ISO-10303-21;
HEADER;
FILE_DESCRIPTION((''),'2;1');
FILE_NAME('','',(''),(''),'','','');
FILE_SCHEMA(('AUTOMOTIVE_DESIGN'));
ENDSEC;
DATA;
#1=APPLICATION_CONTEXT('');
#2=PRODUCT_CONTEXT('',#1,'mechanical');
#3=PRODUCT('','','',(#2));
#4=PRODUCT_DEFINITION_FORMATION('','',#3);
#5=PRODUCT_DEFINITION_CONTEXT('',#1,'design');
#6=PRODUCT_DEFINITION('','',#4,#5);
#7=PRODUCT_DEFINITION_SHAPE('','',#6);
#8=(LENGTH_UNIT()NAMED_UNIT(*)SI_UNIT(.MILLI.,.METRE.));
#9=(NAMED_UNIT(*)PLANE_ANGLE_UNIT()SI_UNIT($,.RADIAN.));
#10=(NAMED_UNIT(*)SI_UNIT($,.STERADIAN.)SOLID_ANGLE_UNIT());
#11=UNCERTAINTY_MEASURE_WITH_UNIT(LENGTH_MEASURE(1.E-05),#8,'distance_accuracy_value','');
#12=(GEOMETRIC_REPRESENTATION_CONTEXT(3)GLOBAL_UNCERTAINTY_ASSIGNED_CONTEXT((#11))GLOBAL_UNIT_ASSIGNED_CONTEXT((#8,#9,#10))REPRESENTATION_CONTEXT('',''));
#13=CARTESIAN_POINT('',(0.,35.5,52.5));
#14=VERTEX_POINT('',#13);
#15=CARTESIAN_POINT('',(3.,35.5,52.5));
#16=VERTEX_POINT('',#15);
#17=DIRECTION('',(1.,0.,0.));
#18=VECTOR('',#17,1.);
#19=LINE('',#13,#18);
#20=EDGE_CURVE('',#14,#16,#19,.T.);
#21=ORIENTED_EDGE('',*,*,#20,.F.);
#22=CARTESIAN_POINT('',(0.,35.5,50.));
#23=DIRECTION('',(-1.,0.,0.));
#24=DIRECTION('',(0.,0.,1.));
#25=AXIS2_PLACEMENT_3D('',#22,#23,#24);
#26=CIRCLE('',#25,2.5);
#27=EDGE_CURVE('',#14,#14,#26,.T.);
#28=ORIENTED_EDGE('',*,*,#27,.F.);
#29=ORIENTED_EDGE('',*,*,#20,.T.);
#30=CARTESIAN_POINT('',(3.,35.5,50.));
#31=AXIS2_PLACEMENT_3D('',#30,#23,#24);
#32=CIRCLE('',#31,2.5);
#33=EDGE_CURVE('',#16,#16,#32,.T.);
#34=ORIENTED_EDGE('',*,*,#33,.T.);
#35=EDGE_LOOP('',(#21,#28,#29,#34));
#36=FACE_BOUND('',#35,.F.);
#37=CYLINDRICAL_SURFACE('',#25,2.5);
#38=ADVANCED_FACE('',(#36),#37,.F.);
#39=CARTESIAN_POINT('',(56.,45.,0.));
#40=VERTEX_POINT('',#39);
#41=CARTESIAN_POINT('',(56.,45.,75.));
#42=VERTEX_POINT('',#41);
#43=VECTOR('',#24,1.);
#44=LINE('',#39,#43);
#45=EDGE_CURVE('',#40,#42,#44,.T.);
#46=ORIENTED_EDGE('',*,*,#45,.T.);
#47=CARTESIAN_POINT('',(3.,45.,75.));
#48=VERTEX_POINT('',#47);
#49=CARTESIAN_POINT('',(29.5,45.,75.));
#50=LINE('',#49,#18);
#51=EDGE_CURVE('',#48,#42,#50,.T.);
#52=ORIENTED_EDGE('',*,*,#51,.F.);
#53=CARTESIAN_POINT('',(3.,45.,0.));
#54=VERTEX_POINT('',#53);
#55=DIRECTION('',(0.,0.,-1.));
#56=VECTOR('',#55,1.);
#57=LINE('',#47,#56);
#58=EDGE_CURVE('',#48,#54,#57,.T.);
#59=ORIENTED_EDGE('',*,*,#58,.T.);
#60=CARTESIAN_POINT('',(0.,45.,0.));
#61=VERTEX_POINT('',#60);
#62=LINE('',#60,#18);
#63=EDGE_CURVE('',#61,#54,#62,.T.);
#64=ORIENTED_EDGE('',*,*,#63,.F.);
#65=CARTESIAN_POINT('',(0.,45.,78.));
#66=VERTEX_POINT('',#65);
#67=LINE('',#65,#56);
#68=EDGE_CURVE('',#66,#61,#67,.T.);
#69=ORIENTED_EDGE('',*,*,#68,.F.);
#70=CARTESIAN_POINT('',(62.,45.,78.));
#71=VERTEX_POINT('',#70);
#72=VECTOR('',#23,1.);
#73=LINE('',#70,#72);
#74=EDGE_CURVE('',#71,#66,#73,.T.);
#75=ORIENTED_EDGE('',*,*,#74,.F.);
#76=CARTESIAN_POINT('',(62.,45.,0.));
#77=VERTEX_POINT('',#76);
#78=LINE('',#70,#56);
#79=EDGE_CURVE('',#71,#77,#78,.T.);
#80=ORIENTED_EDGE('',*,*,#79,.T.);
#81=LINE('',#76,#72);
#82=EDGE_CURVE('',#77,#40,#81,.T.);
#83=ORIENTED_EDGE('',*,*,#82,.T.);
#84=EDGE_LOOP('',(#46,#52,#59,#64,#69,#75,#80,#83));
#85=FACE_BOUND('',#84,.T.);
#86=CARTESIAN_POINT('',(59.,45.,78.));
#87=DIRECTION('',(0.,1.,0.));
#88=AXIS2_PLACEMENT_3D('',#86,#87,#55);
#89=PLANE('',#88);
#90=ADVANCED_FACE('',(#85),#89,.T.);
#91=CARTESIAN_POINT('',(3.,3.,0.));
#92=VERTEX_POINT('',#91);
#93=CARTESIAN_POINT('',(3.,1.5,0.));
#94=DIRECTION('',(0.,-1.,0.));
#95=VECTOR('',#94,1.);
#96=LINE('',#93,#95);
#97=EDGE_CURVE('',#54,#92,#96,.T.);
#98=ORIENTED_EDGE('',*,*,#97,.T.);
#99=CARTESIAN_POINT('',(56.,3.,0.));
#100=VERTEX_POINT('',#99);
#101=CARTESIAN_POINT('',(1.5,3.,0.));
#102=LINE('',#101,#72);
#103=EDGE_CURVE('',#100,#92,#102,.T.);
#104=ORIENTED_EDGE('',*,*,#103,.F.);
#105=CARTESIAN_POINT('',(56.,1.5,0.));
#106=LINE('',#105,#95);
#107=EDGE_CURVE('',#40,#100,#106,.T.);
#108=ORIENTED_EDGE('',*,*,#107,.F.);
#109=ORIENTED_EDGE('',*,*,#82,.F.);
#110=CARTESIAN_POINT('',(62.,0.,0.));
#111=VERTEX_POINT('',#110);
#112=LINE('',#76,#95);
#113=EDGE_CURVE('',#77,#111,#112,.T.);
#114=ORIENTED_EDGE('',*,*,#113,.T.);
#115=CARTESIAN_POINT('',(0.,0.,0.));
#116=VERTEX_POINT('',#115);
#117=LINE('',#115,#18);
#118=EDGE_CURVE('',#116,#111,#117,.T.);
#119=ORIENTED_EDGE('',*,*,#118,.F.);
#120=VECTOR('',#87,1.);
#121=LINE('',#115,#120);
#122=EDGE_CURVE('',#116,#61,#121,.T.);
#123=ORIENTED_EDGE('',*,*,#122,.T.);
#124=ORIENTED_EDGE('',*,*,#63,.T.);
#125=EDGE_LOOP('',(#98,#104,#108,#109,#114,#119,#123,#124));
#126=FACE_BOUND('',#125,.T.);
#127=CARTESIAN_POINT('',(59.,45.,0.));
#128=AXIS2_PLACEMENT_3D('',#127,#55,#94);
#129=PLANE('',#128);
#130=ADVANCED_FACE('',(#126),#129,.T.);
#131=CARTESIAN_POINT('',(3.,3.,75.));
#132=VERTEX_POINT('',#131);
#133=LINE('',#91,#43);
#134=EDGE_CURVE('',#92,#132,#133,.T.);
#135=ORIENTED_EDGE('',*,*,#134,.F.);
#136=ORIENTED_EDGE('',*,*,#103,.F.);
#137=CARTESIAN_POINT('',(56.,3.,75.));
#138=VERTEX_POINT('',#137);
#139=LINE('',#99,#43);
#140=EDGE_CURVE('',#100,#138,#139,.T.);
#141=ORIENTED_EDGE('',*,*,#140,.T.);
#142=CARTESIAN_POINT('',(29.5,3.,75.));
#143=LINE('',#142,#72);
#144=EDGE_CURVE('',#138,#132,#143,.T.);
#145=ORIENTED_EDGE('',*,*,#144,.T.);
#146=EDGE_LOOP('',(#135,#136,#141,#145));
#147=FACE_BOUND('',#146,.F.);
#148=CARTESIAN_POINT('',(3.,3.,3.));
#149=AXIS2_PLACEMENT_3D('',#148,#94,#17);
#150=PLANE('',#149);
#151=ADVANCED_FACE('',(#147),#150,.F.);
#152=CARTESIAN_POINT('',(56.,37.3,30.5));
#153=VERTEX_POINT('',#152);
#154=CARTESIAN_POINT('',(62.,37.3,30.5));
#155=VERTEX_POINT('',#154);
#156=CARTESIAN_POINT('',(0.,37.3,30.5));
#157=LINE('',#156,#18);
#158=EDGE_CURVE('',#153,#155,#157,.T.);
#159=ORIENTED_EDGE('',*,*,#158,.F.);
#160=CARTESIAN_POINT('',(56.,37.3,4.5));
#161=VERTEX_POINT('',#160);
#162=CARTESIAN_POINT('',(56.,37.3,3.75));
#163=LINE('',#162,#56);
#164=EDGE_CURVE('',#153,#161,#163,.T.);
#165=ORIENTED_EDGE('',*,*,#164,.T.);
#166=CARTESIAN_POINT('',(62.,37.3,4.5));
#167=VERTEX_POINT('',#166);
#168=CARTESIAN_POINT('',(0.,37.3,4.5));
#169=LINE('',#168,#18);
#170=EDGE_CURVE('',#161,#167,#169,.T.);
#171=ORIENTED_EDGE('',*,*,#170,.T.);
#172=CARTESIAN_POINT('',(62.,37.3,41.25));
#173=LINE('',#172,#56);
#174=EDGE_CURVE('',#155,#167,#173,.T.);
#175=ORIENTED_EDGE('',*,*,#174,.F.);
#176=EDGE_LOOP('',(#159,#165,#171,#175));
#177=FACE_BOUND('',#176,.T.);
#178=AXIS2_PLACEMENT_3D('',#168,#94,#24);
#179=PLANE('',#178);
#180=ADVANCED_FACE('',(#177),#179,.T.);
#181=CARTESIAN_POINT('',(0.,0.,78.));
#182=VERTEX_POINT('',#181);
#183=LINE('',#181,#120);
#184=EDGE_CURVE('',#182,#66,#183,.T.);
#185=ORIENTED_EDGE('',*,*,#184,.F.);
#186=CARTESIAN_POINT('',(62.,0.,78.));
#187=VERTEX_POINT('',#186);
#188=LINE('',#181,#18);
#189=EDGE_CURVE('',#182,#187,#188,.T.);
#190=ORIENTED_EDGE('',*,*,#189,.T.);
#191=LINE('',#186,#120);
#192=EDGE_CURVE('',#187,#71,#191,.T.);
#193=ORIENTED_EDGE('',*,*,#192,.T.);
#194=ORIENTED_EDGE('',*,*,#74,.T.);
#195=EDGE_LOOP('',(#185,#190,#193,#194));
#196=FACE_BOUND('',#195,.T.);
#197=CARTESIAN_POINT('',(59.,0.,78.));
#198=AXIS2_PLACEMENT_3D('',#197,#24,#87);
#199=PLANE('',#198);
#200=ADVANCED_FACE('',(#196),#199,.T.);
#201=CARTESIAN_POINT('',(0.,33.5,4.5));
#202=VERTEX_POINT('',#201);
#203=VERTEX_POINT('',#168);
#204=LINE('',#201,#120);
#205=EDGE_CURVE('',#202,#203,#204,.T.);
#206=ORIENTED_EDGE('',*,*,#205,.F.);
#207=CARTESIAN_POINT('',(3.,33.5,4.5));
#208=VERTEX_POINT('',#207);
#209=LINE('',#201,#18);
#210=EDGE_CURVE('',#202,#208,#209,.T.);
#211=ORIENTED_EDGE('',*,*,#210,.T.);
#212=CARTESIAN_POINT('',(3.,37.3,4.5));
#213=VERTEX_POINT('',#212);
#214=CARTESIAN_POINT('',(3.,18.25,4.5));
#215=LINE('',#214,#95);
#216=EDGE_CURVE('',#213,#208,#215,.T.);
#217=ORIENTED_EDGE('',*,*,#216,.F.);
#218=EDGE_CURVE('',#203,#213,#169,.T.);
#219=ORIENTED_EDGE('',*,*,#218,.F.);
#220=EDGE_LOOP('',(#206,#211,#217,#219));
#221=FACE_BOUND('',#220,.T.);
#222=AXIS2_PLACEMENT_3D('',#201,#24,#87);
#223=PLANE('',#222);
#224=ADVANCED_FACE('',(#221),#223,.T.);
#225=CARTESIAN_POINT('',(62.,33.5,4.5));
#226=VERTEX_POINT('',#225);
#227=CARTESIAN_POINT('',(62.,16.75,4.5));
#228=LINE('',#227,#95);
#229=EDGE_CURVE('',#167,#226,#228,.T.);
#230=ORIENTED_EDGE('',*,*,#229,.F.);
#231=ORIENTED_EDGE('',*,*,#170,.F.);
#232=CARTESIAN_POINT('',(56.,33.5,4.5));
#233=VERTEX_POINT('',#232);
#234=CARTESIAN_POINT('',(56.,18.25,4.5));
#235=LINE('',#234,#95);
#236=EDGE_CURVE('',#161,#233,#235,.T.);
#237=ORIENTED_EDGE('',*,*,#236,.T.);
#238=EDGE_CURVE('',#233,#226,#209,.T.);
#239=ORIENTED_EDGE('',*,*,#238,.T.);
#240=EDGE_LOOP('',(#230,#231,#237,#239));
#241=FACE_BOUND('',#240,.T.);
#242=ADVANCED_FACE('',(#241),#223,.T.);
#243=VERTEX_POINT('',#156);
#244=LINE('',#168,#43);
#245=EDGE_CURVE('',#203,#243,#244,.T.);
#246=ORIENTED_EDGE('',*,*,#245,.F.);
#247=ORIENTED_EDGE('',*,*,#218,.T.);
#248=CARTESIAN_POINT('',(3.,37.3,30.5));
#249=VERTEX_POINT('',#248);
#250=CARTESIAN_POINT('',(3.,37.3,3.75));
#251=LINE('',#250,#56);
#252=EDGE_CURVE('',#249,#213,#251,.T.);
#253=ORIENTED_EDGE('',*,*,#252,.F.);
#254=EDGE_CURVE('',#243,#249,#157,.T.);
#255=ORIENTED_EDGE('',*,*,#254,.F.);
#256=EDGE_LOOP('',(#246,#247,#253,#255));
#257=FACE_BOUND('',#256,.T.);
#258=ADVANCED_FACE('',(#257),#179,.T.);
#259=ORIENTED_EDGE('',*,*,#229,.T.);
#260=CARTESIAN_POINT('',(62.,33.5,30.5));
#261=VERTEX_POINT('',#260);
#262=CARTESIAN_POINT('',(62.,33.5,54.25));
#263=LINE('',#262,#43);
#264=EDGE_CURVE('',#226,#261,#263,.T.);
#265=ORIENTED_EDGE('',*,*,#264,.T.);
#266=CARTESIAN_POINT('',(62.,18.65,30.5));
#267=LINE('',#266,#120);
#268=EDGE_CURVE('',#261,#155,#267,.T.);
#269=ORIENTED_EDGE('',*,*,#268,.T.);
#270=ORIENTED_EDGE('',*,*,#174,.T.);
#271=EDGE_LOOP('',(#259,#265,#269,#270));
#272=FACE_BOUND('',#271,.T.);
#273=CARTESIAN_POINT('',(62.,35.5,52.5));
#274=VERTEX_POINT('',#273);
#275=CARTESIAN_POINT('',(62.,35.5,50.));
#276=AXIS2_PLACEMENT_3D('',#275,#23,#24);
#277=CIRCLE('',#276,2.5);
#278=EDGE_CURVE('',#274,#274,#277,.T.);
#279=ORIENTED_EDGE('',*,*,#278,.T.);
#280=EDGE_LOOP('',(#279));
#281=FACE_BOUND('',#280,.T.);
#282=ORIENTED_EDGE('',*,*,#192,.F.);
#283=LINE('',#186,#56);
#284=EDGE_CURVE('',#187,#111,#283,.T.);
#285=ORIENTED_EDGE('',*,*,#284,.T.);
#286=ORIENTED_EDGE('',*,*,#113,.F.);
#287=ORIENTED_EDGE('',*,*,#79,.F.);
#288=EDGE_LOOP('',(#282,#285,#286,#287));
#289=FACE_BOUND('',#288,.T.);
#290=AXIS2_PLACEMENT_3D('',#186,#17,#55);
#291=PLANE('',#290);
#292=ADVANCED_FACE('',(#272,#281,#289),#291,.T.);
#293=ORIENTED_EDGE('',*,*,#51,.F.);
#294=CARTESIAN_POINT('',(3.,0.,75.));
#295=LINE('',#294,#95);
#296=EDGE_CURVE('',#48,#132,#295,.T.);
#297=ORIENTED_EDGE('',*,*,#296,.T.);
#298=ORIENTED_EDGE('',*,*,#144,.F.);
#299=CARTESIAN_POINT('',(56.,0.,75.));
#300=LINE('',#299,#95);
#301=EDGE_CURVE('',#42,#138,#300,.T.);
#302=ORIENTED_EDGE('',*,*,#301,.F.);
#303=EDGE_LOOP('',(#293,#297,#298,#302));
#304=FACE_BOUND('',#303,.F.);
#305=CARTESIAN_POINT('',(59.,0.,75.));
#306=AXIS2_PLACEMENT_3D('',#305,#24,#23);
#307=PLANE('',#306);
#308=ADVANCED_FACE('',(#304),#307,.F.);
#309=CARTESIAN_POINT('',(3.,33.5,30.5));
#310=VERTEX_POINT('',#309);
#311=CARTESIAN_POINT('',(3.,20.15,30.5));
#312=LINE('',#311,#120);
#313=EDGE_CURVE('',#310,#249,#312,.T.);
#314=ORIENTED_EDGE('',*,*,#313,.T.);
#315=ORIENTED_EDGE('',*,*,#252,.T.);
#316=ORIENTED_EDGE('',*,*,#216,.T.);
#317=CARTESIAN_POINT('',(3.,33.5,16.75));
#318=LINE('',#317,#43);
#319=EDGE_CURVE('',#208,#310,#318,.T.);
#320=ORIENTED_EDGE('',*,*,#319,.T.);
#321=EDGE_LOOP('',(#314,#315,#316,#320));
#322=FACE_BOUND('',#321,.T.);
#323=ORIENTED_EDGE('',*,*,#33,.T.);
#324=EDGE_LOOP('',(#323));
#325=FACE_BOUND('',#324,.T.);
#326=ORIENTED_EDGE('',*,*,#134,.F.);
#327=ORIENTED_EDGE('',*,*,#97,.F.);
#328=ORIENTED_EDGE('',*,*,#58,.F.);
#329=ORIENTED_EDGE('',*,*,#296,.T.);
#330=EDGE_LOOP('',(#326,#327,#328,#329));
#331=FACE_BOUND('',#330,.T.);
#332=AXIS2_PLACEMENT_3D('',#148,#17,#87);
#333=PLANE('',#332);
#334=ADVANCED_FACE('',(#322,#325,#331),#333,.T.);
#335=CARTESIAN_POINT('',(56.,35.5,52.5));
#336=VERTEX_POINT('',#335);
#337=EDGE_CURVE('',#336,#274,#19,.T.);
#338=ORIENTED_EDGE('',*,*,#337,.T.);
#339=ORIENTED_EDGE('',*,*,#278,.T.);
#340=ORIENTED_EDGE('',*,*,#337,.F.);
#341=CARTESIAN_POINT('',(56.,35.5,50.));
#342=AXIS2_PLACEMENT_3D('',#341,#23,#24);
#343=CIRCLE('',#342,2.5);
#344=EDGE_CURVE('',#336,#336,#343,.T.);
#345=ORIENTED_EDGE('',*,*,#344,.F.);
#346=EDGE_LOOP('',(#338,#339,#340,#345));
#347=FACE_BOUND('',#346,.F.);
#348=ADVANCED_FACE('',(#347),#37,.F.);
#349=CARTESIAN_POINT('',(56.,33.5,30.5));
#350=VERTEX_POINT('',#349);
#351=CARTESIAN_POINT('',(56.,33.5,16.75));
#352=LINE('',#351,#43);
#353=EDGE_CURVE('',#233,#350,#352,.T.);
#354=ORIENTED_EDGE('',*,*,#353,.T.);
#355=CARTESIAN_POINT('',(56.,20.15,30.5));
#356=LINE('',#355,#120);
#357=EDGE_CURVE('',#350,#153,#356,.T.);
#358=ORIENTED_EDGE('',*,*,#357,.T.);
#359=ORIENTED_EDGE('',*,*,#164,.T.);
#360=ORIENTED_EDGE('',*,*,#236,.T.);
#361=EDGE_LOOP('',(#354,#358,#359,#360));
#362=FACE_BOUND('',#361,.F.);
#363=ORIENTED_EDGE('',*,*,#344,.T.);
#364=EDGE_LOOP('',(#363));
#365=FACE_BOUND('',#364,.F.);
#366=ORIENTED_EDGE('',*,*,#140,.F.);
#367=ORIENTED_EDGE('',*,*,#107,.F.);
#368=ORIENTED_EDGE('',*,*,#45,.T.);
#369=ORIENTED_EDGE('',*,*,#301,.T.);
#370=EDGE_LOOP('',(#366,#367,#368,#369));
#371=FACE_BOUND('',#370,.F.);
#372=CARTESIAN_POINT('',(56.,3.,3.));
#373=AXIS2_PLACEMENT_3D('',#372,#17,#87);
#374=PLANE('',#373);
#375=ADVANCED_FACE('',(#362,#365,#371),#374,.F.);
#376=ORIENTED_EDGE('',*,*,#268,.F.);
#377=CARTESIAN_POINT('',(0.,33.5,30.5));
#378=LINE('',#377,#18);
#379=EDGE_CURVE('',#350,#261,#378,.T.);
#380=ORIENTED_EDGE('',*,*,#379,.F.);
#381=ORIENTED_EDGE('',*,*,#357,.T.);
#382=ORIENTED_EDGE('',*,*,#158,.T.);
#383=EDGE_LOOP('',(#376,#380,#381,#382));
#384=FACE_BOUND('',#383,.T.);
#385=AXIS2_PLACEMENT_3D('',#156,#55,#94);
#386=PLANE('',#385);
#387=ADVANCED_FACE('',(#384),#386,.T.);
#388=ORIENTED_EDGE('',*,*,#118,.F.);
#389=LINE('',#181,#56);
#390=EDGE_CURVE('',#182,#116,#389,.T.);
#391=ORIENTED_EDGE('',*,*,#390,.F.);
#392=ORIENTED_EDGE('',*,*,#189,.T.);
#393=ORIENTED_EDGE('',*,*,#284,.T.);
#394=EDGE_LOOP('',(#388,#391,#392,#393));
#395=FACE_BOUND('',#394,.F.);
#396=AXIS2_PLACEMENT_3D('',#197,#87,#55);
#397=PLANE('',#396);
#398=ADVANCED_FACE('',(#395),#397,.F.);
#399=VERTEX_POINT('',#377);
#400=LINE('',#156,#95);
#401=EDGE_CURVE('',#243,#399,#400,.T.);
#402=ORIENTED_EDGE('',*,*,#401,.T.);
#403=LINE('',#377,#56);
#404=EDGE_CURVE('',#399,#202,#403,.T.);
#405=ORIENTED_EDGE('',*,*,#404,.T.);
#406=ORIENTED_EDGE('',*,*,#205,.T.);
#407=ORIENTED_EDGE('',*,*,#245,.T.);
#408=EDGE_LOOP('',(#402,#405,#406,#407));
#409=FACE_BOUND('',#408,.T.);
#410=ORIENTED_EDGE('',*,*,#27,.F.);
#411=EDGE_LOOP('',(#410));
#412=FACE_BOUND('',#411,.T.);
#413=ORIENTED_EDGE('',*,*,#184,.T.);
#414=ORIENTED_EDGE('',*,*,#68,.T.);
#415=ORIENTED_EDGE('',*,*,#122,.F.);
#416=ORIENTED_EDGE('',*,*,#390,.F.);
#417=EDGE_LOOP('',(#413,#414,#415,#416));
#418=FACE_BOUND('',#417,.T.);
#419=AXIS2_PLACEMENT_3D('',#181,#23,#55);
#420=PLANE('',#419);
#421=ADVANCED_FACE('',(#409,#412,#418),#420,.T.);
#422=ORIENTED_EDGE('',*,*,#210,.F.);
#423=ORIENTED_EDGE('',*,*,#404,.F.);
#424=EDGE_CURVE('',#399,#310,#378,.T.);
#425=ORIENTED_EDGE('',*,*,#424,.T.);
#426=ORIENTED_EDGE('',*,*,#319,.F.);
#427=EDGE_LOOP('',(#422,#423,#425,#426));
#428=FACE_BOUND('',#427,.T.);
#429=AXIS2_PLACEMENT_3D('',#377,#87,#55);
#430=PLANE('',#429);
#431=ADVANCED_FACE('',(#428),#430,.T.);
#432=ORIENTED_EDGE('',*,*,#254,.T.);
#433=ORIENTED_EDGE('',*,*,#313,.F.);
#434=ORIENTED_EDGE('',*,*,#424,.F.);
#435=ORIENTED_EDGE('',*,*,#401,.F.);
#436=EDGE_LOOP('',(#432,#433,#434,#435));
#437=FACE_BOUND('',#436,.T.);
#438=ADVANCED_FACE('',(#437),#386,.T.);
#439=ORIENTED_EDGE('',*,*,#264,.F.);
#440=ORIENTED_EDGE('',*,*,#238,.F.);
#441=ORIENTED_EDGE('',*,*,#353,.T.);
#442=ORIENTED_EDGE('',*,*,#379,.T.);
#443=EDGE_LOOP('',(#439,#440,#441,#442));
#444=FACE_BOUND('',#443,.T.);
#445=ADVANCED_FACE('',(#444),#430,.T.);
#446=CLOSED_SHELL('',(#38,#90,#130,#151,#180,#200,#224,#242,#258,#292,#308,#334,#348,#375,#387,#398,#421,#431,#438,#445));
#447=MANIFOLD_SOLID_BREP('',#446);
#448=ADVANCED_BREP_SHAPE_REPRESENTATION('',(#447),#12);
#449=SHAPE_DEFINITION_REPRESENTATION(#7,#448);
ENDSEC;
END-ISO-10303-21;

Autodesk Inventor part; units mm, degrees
ref_plane "YZ Plane" through (0, 0, 0) normal (1, 0, 0) x (0, 1, 0)
ref_plane "XZ Plane" through (0, 0, 0) normal (0, 1, 0) x (-1, 0, 0)
ref_plane "XY Plane" through (0, 0, 0) normal (0, 0, 1) x (1, 0, 0)
sketch "Sketch2" plane through (0, 0, 0) normal (0, 1, 0) x (-1, 0, 0)
  line L0 (0, 0) -> (-59, 0)
  line L1 (-59, 0) -> (-59, 78)
  line L2 (-59, 78) -> (0, 78)
  line L3 (0, 78) -> (0, 0)
  dimension "d0" = 59
  dimension "d1" = 78
extrude "Extrusion1" add sketch "Sketch2" along normal blind 45
shell "Shell1" thickness 3 removed faces 1 at (39.3333, 45, 52)
sketch "Sketch4" plane through (59, 0, 0) normal (0, 0, -1) x (-1, 0, 0)
  point P0 (59, 0)
sketch "Sketch5" plane through (3, 3, 3) normal (0, 0, 1) x (1, 0, 0)
  line L0 (0, 0) -> (0, 42) projected
  line L1 (0, 42) -> (53, 42) projected
  line L2 (0, 0) -> (53, 0)
  line L3 (53, 0) -> (53, 42)
  line L4 (53, 42) -> (0, 42)
  line L5 (0, 42) -> (0, 0)
  point P0 (-3, -3)
extrude "Extrusion3" cut sketch "Sketch5" against normal blind 10
sketch "Sketch6" plane through (0, 0, 0) normal (-1, 0, 0) x (0, 0, 1)
  line L0 (4.5, 37.3) -> (30.5, 37.3)
  line L1 (30.5, 37.3) -> (30.5, 33.5)
  line L2 (30.5, 33.5) -> (4.5, 33.5)
  line L3 (4.5, 33.5) -> (4.5, 37.3)
  line L4 (0, 0) -> (0, 45) projected
  line L5 (0, 0) -> (78, 0) projected
  dimension "d19" = 26
  dimension "d20" = 3.8
  dimension "d21" = 4.5
  dimension "d22" = 33.5
sketch "Sketch7" plane through (59, 0, 78) normal (1, 0, 0) x (0, 0, -1)
  line L0 (0, 0) -> (78, 0) projected
  line L1 (0, 45) -> (78, 45)
  line L2 (78, 45) -> (78, 0)
  line L3 (78, 0) -> (0, 0)
  line L4 (0, 0) -> (0, 45)
extrude "Extrusion5" add sketch "Sketch7" along normal blind 3
extrude "Extrusion6" cut sketch "Sketch6" against normal through all
sketch "Sketch8" plane through (0, 0, 0) normal (-1, 0, 0) x (0, 0, 1)
  circle A0 centre (50, 35.5) radius 2.5
  point P0 (0, 0)
  dimension "d29" = 5
extrude "Extrusion7" cut sketch "Sketch8" against normal through all
properties part number "arduino with shield box v06"
